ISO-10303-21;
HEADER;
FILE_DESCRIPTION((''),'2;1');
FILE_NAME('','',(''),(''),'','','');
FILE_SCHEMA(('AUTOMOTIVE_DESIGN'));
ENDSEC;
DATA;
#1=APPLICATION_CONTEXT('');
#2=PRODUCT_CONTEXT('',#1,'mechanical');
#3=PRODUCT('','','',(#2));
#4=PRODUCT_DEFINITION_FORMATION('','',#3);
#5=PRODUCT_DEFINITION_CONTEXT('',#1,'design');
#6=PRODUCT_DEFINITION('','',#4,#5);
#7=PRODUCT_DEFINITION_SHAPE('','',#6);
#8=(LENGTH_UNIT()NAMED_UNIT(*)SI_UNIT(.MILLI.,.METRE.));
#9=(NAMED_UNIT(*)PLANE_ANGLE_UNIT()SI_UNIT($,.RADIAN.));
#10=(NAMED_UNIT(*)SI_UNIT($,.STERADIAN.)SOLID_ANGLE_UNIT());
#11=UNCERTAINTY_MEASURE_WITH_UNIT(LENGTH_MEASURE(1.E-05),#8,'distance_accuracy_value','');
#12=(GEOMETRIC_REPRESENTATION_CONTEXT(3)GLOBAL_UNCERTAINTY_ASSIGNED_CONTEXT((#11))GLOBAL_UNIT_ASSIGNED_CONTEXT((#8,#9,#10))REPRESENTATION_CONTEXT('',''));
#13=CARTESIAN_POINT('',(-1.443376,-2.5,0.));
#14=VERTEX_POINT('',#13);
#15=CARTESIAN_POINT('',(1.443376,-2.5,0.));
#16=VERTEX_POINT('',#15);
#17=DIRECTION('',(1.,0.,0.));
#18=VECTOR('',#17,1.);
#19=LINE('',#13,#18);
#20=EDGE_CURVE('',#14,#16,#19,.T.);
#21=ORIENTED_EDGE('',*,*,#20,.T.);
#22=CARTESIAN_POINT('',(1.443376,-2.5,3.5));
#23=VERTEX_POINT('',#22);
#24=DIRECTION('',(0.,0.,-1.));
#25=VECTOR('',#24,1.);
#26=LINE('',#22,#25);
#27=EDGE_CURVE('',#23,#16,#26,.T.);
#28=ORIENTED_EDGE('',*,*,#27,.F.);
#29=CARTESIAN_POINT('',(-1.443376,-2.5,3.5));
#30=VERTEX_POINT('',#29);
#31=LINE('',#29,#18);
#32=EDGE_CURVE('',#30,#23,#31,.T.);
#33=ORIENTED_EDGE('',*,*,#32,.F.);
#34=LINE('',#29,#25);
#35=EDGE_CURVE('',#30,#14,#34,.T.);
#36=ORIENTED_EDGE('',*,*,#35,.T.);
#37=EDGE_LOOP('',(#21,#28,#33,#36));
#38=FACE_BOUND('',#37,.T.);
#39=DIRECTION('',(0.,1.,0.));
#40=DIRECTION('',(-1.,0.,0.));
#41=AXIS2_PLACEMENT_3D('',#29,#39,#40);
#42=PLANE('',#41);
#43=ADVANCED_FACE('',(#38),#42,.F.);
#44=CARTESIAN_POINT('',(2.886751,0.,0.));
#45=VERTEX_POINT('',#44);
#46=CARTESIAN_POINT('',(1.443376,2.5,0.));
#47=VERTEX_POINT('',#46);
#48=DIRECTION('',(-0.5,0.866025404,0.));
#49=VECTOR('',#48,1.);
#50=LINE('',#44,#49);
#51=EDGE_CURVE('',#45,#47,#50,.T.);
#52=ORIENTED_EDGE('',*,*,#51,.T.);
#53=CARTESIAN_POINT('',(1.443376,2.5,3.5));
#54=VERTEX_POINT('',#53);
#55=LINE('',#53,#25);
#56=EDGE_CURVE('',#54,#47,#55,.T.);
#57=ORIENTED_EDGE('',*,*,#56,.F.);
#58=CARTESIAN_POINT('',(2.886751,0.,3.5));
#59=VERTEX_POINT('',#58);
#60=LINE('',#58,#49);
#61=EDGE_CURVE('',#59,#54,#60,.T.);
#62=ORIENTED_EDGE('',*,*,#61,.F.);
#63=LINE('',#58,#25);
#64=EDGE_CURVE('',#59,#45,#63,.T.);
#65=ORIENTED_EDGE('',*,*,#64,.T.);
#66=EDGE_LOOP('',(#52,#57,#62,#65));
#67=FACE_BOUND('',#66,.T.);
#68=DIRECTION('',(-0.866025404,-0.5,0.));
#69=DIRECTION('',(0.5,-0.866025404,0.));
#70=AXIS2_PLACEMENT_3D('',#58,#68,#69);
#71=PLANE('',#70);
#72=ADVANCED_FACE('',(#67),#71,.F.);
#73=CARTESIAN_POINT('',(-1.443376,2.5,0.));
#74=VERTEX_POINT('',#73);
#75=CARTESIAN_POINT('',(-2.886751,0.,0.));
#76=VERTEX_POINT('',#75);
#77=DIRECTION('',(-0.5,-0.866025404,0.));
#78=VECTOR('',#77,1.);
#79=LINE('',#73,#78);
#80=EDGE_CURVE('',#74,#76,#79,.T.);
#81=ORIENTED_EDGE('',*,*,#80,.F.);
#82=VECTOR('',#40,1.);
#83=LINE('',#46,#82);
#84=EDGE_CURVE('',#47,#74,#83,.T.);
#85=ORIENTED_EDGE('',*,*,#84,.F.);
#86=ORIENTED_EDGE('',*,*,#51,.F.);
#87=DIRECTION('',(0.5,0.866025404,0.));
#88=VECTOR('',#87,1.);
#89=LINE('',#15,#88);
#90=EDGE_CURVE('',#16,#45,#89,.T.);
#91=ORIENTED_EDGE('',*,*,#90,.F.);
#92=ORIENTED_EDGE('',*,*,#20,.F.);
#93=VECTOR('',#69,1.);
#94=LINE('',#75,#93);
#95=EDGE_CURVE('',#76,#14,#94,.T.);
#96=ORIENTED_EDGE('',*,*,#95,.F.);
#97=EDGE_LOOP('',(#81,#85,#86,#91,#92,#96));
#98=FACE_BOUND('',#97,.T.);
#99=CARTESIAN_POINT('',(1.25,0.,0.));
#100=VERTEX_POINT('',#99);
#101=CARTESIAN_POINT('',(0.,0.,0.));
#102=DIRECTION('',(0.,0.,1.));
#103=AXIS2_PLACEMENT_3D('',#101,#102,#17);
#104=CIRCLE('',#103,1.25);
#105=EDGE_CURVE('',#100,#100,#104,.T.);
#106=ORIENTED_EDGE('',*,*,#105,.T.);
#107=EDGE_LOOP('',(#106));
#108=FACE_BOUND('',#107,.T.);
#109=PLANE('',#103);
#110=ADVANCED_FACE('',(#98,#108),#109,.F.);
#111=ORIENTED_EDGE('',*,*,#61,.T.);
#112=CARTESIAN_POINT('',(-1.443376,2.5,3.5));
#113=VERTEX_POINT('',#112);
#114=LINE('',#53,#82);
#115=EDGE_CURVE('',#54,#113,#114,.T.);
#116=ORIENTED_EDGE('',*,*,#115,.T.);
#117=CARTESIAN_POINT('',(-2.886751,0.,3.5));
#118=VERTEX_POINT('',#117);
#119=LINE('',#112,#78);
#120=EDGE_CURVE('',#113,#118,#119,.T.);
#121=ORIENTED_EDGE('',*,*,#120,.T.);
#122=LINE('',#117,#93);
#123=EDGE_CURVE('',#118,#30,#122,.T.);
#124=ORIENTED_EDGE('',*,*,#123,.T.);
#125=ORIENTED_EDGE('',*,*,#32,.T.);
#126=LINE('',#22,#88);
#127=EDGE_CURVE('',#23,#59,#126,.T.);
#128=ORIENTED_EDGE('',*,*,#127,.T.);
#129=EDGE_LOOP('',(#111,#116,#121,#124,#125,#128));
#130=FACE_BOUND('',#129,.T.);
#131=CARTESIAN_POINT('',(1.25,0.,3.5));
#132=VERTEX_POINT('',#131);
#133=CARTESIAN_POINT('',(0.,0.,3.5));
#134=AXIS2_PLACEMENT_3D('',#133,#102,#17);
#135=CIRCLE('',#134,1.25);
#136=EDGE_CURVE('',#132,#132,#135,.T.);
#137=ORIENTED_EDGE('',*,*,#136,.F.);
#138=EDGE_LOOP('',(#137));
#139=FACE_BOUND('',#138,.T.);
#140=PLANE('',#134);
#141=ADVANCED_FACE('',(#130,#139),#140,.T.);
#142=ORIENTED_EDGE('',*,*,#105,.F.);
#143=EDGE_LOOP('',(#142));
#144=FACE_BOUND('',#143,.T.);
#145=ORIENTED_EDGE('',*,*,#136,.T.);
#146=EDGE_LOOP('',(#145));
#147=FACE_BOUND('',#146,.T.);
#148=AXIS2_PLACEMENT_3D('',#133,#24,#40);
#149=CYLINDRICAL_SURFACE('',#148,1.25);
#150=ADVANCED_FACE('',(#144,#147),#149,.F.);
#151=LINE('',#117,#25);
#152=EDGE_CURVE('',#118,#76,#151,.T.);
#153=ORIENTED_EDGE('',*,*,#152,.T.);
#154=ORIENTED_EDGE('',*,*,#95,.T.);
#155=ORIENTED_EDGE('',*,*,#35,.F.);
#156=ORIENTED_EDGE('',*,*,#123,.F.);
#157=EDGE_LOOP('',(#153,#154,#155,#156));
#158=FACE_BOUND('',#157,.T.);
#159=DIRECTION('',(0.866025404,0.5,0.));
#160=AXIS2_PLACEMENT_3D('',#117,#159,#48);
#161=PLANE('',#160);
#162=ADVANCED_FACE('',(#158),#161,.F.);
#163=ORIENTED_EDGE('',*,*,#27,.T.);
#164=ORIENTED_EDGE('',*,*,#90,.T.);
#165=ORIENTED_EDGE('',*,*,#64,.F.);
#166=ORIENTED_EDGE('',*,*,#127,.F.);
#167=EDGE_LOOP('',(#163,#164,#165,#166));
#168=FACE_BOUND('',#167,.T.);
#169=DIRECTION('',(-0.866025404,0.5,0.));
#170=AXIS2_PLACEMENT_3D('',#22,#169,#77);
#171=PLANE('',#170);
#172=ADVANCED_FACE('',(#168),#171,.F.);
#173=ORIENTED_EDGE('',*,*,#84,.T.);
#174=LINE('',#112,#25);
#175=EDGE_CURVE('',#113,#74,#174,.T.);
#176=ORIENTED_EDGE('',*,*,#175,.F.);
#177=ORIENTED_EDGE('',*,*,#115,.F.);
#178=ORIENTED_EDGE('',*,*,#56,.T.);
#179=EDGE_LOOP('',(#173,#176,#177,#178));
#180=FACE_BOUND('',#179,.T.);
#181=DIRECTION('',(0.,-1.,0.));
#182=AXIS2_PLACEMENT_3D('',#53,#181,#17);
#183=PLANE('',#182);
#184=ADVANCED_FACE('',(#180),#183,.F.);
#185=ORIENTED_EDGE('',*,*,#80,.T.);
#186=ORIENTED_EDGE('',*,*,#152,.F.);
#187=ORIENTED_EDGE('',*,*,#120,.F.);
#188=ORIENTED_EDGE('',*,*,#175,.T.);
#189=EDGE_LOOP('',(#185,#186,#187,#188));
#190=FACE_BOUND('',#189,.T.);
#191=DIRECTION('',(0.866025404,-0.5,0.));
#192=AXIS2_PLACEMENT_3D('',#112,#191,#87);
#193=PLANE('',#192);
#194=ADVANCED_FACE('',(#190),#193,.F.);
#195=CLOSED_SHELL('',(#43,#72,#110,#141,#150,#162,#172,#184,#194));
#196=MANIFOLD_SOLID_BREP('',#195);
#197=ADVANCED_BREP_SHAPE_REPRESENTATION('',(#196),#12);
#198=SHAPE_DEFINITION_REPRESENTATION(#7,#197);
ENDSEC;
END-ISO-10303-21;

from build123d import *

# Parameters (mm, degrees)
ACROSS_FLATS_5_R                     = 1.25
NUT_THREAD_ENVELOPE_HEIGHT_3_5_DEPTH = 3.5


with BuildPart() as part:
    # Across_flats_5 → Nut_thread_envelope_height_3.5 (new body)
    with BuildSketch(Plane.XY):
        Polygon((2.886751346, 0), (1.443375673, 2.5), (-1.443375673, 2.5), (-2.886751346, 0), (-1.443375673, -2.5), (1.443375673, -2.5), align=None)
        Circle(ACROSS_FLATS_5_R, mode=Mode.SUBTRACT)
    extrude(amount=NUT_THREAD_ENVELOPE_HEIGHT_3_5_DEPTH)


solid = part.part
